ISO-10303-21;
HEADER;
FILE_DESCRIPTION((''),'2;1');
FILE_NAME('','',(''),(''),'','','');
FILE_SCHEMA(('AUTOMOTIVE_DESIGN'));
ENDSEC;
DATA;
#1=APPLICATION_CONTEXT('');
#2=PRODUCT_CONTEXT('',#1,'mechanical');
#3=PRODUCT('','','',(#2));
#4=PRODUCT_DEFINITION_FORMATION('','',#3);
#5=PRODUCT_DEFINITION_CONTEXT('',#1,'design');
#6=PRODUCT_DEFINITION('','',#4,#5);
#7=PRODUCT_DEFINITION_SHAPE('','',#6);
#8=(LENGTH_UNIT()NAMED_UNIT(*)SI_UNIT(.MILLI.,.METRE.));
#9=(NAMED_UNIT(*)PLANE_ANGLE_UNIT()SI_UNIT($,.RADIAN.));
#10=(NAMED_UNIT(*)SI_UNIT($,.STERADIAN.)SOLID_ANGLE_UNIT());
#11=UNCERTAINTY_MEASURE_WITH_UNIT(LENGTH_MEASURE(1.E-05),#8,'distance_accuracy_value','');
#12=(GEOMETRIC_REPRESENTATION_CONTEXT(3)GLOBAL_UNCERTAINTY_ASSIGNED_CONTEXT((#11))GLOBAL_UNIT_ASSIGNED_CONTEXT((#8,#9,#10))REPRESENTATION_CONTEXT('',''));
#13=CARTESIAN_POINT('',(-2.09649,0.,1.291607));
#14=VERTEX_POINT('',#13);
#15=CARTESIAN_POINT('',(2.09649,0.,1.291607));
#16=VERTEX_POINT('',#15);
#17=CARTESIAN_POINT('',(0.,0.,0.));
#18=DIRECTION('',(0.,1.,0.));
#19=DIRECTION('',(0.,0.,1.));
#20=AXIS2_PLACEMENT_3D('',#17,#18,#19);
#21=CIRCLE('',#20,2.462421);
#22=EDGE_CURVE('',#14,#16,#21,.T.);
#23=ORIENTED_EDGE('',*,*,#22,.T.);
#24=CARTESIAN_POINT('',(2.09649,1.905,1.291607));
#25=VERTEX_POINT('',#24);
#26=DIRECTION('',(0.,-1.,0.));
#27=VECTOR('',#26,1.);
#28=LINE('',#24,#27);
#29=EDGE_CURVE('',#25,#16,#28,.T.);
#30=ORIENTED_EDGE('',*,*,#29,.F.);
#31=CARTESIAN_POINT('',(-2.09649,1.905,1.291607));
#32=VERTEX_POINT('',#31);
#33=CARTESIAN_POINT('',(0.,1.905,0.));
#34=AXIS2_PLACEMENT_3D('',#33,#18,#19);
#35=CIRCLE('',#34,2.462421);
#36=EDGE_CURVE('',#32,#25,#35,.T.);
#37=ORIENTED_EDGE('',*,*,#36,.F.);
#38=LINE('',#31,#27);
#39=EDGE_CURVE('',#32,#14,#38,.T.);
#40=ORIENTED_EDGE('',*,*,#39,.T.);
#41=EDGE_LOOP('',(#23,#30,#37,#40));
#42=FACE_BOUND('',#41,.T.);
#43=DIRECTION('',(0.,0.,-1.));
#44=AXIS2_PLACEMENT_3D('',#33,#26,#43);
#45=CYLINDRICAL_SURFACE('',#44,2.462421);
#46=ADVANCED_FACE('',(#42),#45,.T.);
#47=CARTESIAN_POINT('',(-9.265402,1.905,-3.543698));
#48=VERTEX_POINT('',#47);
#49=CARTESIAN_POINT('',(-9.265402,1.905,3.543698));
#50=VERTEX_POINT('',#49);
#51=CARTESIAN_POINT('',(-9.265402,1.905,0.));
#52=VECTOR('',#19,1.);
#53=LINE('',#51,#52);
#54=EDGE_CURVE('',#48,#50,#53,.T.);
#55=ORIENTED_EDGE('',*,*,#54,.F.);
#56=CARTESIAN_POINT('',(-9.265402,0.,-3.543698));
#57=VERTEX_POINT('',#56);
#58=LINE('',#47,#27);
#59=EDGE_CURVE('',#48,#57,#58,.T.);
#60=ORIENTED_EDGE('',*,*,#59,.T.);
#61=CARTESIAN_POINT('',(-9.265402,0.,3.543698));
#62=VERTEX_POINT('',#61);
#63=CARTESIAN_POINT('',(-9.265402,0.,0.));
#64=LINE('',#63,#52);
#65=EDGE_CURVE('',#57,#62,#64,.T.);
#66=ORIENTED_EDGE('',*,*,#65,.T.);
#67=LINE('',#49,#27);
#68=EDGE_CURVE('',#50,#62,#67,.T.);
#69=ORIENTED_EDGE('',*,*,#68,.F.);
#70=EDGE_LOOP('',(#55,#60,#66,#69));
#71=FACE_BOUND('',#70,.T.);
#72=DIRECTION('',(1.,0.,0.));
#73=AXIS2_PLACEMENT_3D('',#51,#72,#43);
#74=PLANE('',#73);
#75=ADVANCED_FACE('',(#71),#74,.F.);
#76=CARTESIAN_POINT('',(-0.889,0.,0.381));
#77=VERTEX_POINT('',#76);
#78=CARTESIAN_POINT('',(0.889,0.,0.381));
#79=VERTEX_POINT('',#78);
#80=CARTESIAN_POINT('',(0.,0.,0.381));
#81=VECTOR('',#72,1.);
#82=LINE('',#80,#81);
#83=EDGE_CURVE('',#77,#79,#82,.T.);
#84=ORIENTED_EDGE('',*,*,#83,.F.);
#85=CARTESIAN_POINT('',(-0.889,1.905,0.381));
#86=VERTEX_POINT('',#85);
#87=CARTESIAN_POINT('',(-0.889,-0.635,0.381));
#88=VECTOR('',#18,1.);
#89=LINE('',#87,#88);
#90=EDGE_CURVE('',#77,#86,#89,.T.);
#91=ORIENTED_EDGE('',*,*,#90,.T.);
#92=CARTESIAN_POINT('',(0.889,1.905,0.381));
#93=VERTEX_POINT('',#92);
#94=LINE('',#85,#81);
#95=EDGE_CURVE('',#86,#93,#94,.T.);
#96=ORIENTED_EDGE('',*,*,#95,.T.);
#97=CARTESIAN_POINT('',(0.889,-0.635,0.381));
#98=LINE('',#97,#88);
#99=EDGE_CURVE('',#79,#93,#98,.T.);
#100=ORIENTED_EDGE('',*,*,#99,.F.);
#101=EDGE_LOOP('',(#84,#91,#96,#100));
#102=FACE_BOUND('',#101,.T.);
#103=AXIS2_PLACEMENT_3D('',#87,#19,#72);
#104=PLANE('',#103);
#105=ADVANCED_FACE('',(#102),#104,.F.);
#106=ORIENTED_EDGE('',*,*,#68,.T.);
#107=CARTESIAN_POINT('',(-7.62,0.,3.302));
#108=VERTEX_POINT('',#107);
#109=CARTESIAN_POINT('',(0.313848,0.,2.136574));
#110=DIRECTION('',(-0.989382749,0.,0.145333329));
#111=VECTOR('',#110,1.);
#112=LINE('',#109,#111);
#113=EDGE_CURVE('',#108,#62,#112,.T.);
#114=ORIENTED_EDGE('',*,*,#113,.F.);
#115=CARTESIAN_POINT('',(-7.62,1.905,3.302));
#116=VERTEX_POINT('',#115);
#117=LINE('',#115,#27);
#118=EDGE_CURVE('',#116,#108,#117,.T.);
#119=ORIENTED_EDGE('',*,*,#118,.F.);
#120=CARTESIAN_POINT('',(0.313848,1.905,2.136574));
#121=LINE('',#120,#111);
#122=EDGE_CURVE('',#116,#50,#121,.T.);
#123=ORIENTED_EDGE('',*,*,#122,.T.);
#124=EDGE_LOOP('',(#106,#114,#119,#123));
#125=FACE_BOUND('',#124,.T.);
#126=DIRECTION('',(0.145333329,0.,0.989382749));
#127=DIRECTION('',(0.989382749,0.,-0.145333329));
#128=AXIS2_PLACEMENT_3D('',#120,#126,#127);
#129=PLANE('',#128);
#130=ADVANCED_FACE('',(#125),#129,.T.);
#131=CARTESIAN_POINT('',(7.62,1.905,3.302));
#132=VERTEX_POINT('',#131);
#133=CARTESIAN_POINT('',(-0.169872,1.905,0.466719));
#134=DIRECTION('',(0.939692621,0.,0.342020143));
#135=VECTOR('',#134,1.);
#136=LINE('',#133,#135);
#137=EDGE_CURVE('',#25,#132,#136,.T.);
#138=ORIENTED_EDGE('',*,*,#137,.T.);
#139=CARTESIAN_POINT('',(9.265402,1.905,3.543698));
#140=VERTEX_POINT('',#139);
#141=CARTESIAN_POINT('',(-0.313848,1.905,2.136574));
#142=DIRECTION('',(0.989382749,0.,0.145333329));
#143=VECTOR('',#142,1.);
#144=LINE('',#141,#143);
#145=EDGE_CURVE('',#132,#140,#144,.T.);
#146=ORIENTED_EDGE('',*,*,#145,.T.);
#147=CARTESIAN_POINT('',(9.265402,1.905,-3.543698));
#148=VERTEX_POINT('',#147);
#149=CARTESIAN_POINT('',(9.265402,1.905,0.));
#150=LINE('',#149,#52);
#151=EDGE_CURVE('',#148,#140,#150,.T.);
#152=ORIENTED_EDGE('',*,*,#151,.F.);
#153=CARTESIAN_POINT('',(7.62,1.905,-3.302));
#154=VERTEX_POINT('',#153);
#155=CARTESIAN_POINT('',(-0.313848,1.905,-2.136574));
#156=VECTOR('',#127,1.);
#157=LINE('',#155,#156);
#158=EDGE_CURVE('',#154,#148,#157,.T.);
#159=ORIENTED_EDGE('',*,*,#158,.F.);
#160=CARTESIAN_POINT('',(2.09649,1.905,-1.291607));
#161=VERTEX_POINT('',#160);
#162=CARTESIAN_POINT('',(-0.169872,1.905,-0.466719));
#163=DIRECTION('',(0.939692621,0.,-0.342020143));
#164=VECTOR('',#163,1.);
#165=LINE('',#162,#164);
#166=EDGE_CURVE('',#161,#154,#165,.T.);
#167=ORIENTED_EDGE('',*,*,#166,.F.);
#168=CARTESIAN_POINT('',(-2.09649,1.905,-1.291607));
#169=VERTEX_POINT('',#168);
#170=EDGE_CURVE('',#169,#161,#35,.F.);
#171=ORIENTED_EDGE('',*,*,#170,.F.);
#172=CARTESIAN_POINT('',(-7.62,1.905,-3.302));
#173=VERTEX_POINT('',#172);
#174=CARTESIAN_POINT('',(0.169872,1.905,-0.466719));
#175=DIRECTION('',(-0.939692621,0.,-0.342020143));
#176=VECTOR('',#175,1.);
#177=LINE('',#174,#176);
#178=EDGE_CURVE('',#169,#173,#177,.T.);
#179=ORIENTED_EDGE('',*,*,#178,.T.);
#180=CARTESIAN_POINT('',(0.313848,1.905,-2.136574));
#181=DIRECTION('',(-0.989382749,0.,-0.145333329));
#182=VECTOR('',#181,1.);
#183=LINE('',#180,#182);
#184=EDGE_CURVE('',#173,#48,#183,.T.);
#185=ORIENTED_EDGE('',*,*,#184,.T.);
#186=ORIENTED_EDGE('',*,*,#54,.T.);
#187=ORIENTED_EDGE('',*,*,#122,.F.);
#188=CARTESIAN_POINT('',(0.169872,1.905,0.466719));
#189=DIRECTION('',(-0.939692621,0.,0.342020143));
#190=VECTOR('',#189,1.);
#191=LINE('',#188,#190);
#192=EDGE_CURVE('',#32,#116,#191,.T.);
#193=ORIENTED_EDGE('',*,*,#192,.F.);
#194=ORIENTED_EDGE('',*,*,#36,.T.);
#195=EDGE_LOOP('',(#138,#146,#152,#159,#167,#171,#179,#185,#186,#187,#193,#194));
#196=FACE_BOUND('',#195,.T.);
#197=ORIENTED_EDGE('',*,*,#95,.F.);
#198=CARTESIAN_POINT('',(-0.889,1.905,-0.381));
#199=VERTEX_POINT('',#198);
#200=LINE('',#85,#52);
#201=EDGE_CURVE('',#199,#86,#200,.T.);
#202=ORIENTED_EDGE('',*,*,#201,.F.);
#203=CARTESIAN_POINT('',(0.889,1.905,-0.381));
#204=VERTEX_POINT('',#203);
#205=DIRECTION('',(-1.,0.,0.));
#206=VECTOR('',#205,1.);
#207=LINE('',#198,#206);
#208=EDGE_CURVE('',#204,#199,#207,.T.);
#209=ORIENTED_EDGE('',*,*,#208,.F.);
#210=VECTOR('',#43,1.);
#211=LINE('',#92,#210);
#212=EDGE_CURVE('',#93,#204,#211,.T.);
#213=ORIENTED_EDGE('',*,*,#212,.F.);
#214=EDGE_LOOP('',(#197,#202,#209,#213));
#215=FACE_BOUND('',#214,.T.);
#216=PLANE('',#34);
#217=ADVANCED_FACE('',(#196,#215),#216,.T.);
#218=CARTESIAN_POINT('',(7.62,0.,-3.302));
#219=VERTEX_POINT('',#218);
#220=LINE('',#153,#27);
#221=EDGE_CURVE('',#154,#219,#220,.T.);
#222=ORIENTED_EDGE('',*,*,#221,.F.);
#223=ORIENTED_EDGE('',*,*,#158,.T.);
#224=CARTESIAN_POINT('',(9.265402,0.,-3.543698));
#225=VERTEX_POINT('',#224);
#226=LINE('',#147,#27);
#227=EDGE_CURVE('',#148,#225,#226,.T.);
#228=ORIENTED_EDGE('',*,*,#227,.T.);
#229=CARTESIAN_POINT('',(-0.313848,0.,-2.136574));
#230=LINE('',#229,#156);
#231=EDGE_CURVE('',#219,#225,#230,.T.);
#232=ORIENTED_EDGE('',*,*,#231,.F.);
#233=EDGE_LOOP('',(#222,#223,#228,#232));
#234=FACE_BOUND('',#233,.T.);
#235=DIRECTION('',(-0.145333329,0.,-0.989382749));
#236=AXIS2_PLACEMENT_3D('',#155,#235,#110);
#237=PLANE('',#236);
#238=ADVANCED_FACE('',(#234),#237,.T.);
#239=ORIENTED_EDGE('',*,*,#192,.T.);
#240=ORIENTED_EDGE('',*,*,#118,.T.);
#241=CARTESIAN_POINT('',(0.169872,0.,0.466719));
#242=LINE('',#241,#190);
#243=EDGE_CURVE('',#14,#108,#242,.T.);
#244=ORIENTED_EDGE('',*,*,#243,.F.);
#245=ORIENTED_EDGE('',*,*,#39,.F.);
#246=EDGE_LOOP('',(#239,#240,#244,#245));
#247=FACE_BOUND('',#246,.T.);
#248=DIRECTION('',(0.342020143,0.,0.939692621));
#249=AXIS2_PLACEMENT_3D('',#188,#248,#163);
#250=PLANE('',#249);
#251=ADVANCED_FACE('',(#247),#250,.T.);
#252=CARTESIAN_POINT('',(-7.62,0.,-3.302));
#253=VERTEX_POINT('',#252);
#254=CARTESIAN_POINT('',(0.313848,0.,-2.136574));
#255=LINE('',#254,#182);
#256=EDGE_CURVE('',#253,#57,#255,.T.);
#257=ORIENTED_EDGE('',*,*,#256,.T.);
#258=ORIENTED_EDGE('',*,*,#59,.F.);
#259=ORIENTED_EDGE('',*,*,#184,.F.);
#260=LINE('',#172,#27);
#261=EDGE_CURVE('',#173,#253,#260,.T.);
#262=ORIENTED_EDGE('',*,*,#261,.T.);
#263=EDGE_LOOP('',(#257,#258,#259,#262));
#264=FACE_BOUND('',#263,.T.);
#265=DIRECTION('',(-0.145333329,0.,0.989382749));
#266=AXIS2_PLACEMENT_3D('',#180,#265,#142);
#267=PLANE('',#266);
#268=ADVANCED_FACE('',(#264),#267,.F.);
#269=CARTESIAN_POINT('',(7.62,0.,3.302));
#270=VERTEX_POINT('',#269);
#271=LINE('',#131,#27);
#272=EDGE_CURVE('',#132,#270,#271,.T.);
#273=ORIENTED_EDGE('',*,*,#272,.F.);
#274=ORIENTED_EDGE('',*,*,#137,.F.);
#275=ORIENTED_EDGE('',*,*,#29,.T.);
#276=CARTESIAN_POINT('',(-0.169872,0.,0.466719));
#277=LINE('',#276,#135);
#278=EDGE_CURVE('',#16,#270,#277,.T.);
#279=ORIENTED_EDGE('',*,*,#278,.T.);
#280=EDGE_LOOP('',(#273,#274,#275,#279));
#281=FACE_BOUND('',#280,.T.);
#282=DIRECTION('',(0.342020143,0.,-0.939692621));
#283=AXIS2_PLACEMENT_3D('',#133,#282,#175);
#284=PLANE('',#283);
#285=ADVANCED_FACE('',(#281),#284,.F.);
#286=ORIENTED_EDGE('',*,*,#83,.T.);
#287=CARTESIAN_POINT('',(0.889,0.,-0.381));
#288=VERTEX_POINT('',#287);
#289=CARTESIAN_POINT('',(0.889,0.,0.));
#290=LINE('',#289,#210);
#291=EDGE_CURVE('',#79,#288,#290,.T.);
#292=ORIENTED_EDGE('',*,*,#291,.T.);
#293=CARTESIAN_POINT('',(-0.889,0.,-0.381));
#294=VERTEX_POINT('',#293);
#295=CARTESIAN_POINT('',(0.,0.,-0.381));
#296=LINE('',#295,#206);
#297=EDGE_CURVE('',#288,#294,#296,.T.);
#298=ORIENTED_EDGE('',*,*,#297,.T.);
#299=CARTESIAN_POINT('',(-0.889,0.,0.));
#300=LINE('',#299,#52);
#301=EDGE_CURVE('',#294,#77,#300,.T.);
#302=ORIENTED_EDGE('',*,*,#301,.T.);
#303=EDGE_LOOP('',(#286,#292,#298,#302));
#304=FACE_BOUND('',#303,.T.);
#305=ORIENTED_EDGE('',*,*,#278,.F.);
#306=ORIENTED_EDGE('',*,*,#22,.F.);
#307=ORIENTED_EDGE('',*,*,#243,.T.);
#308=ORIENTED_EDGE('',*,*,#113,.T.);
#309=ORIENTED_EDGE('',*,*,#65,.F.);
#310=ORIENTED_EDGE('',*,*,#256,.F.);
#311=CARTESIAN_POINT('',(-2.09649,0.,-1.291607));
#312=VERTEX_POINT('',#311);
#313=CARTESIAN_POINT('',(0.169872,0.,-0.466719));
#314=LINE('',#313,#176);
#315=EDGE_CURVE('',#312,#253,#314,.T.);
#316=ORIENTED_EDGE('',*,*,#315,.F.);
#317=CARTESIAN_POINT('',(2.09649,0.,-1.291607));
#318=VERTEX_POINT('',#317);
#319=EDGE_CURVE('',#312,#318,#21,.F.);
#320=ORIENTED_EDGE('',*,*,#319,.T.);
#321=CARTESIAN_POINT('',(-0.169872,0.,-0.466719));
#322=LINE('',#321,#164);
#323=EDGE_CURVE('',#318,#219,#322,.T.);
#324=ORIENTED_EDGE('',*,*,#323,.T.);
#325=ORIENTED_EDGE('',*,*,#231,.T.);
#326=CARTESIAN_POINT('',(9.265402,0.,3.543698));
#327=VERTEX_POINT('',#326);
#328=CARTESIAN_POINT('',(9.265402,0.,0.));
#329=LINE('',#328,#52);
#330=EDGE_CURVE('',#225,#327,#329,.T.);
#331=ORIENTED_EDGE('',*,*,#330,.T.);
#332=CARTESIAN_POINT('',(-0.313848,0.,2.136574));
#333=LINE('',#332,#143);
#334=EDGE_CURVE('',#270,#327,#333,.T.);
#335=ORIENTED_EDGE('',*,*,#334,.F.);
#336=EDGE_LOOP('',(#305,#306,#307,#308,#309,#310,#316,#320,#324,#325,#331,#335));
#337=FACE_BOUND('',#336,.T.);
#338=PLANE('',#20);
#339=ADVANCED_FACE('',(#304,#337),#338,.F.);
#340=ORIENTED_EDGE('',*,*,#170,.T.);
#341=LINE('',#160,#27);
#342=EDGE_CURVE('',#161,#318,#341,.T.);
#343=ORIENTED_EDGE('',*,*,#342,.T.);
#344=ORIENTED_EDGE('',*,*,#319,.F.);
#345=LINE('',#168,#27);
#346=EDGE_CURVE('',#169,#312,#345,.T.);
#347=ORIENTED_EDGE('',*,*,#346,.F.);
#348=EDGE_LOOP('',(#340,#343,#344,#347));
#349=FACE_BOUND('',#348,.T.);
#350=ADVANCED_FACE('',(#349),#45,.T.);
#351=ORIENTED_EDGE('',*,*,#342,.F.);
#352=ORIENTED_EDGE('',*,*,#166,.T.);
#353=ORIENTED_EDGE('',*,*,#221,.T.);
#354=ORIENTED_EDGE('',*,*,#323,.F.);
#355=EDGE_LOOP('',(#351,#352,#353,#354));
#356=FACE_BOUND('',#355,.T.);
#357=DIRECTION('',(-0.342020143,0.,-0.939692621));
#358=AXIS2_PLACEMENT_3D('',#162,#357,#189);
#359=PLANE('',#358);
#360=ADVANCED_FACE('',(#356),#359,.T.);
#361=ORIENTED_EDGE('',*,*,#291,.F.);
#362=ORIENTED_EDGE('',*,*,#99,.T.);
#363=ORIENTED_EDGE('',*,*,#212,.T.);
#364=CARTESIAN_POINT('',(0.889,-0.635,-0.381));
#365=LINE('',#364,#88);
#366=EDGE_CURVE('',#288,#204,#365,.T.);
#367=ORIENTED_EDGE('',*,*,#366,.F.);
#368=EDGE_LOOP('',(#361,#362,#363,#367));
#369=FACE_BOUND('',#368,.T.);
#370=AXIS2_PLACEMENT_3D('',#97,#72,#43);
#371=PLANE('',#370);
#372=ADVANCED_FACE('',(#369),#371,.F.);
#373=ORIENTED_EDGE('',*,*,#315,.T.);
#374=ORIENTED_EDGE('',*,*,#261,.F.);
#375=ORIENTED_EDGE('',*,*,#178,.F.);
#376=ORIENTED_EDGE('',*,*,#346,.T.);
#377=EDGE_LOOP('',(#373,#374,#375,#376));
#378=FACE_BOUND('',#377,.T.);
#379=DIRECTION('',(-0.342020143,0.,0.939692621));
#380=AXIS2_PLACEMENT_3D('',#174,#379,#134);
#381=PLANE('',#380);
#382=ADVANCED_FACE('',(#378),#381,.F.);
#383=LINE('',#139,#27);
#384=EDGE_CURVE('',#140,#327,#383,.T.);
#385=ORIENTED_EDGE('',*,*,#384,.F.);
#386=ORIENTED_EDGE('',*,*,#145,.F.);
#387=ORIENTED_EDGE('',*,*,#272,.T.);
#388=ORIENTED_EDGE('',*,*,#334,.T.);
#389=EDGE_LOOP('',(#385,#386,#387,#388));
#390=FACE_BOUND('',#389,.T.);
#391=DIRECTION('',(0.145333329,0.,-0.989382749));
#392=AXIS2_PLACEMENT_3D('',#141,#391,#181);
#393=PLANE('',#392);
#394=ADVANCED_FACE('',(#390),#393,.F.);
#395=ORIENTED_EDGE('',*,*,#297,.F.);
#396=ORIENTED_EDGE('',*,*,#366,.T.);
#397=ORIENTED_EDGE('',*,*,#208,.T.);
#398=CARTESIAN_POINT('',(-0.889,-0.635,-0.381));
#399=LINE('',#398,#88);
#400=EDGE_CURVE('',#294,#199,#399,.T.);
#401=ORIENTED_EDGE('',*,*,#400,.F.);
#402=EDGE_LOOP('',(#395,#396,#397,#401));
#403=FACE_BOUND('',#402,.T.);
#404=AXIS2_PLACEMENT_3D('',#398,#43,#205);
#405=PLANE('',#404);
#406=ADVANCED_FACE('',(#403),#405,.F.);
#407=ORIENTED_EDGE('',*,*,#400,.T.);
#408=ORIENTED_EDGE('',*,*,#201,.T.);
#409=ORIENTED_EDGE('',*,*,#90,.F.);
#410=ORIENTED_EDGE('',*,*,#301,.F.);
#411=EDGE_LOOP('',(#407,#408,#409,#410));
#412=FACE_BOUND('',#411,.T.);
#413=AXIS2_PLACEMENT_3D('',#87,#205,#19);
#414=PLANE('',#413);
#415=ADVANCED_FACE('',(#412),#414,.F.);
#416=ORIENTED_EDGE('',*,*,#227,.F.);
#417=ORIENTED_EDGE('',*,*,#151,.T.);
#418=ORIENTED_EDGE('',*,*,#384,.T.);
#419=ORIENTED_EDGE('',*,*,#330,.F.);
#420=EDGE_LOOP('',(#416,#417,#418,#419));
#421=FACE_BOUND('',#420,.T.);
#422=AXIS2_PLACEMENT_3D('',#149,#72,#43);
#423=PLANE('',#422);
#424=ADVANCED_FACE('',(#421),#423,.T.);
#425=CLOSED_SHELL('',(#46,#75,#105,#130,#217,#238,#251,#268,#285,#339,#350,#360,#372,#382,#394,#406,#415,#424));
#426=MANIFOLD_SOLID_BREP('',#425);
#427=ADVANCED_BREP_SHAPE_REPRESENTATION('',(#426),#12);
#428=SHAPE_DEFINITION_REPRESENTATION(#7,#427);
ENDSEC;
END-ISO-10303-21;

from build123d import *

# Parameters (mm, degrees)
BOSS_EXTRUDE3_DEPTH = 1.905
SKETCH2_W           = 1.778
SKETCH2_H           = 0.762
CUT_EXTRUDE1_DEPTH  = 2.54


with BuildPart() as part:
    # Sketch1 → Boss-Extrude3 (new body)
    with BuildSketch(Plane(origin=(0, 0, 0), x_dir=(1, 0, 0), z_dir=(0, 1, 0))):
        with BuildLine():
            Line((9.2654018, 3.543697889), (9.2654018, -3.543697889))
            Line((9.2654018, -3.543697889), (7.62, -3.302))
            Line((7.62, -3.302), (2.096490205, -1.291606846))
            ThreePointArc((2.096490205, -1.291606846), (0, -2.462421456), (-2.096490205, -1.291606846))
            Line((-2.096490205, -1.291606846), (-7.62, -3.302))
            Line((-7.62, -3.302), (-9.2654018, -3.543697889))
            Line((-9.2654018, -3.543697889), (-9.2654018, 3.543697889))
            Line((-9.2654018, 3.543697889), (-7.62, 3.302))
            Line((-7.62, 3.302), (-2.096490205, 1.291606846))
            ThreePointArc((-2.096490205, 1.291606846), (0, 2.462421456), (2.096490205, 1.291606846))
            Line((2.096490205, 1.291606846), (7.62, 3.302))
            Line((7.62, 3.302), (9.2654018, 3.543697889))
        make_face()
    extrude(amount=BOSS_EXTRUDE3_DEPTH)

    # Sketch2 → Cut-Extrude1 (cut)
    with BuildSketch(Plane(origin=(0, 1.905, 0), x_dir=(1, 0, 0), z_dir=(0, 1, 0))):
        Rectangle(SKETCH2_W, SKETCH2_H)
    extrude(amount=-CUT_EXTRUDE1_DEPTH, mode=Mode.SUBTRACT)


solid = part.part
